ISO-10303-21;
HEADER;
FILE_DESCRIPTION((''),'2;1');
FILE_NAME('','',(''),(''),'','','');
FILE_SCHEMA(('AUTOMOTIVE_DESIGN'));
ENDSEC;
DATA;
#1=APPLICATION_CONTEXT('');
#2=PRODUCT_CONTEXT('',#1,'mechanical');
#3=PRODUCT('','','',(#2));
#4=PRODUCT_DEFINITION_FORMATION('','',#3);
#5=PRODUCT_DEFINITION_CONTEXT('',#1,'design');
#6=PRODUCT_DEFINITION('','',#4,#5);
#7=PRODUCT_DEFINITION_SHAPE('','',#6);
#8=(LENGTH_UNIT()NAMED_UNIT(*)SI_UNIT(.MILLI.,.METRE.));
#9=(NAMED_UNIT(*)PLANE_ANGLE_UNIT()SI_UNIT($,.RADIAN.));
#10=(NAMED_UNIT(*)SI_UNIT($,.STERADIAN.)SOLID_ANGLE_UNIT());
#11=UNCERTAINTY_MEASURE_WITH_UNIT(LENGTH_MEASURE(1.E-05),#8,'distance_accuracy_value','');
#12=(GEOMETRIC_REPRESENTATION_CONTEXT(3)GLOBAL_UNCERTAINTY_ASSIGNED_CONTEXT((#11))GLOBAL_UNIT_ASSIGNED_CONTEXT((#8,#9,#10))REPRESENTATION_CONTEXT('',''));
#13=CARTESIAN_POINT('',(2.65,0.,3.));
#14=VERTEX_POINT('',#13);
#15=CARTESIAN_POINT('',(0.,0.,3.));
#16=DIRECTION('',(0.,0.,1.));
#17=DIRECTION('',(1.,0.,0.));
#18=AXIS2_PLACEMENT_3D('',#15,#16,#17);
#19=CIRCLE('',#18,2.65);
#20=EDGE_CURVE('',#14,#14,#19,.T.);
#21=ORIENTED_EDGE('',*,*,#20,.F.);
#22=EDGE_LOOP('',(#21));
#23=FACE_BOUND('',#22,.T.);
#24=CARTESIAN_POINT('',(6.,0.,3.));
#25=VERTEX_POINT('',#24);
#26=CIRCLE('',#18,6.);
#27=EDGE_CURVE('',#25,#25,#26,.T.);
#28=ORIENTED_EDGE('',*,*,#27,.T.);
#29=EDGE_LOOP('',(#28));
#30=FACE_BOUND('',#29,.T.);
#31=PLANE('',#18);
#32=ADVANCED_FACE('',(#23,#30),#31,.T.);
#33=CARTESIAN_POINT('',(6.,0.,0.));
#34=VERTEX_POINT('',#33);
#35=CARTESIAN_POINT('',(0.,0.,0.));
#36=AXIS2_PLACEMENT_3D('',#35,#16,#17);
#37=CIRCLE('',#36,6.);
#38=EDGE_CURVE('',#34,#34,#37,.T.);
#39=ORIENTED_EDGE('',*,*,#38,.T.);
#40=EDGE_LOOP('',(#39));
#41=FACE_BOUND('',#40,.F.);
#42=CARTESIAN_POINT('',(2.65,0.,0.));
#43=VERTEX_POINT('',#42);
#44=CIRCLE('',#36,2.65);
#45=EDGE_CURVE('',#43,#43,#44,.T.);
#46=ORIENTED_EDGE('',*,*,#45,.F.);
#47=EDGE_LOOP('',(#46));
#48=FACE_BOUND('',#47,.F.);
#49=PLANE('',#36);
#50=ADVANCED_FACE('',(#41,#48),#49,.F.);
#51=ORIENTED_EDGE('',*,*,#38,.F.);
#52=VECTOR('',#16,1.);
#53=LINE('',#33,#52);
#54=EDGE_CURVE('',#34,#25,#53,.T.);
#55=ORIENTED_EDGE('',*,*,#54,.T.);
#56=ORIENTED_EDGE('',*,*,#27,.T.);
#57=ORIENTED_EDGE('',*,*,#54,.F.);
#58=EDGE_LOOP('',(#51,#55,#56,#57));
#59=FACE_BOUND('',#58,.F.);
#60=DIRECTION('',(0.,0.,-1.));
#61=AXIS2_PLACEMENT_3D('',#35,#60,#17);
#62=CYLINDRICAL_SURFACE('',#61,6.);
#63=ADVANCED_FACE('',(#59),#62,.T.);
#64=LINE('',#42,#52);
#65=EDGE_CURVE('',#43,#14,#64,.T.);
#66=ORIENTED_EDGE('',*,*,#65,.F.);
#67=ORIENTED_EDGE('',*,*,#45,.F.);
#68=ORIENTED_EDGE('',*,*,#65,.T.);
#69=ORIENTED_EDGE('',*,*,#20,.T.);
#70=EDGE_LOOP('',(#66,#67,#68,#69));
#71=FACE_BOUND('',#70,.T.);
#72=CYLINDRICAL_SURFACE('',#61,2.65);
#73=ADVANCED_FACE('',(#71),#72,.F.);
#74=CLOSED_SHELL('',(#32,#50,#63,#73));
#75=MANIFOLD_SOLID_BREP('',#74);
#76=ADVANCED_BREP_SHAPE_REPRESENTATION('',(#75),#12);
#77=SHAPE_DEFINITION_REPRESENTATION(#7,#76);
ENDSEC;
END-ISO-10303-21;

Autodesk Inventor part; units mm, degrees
ref_plane "YZ Plane" through (0, 0, 0) normal (1, 0, 0) x (0, 1, 0)
ref_plane "XZ Plane" through (0, 0, 0) normal (0, 1, 0) x (-1, 0, 0)
ref_plane "XY Plane" through (0, 0, 0) normal (0, 0, 1) x (1, 0, 0)
sketch "スケッチ1" plane through (0, 0, 0) normal (0, 0, 1) x (1, 0, 0)
  circle A0 centre (0, 0) radius 6
  circle A1 centre (0, 0) radius 2.65
  dimension "d0" = 12
  dimension "d1" = 5.3
extrude "押し出し1" add sketch "スケッチ1" along normal blind 3
properties part number "足首_独立ピッチ_1_3" material "アセタール樹脂、黒"
